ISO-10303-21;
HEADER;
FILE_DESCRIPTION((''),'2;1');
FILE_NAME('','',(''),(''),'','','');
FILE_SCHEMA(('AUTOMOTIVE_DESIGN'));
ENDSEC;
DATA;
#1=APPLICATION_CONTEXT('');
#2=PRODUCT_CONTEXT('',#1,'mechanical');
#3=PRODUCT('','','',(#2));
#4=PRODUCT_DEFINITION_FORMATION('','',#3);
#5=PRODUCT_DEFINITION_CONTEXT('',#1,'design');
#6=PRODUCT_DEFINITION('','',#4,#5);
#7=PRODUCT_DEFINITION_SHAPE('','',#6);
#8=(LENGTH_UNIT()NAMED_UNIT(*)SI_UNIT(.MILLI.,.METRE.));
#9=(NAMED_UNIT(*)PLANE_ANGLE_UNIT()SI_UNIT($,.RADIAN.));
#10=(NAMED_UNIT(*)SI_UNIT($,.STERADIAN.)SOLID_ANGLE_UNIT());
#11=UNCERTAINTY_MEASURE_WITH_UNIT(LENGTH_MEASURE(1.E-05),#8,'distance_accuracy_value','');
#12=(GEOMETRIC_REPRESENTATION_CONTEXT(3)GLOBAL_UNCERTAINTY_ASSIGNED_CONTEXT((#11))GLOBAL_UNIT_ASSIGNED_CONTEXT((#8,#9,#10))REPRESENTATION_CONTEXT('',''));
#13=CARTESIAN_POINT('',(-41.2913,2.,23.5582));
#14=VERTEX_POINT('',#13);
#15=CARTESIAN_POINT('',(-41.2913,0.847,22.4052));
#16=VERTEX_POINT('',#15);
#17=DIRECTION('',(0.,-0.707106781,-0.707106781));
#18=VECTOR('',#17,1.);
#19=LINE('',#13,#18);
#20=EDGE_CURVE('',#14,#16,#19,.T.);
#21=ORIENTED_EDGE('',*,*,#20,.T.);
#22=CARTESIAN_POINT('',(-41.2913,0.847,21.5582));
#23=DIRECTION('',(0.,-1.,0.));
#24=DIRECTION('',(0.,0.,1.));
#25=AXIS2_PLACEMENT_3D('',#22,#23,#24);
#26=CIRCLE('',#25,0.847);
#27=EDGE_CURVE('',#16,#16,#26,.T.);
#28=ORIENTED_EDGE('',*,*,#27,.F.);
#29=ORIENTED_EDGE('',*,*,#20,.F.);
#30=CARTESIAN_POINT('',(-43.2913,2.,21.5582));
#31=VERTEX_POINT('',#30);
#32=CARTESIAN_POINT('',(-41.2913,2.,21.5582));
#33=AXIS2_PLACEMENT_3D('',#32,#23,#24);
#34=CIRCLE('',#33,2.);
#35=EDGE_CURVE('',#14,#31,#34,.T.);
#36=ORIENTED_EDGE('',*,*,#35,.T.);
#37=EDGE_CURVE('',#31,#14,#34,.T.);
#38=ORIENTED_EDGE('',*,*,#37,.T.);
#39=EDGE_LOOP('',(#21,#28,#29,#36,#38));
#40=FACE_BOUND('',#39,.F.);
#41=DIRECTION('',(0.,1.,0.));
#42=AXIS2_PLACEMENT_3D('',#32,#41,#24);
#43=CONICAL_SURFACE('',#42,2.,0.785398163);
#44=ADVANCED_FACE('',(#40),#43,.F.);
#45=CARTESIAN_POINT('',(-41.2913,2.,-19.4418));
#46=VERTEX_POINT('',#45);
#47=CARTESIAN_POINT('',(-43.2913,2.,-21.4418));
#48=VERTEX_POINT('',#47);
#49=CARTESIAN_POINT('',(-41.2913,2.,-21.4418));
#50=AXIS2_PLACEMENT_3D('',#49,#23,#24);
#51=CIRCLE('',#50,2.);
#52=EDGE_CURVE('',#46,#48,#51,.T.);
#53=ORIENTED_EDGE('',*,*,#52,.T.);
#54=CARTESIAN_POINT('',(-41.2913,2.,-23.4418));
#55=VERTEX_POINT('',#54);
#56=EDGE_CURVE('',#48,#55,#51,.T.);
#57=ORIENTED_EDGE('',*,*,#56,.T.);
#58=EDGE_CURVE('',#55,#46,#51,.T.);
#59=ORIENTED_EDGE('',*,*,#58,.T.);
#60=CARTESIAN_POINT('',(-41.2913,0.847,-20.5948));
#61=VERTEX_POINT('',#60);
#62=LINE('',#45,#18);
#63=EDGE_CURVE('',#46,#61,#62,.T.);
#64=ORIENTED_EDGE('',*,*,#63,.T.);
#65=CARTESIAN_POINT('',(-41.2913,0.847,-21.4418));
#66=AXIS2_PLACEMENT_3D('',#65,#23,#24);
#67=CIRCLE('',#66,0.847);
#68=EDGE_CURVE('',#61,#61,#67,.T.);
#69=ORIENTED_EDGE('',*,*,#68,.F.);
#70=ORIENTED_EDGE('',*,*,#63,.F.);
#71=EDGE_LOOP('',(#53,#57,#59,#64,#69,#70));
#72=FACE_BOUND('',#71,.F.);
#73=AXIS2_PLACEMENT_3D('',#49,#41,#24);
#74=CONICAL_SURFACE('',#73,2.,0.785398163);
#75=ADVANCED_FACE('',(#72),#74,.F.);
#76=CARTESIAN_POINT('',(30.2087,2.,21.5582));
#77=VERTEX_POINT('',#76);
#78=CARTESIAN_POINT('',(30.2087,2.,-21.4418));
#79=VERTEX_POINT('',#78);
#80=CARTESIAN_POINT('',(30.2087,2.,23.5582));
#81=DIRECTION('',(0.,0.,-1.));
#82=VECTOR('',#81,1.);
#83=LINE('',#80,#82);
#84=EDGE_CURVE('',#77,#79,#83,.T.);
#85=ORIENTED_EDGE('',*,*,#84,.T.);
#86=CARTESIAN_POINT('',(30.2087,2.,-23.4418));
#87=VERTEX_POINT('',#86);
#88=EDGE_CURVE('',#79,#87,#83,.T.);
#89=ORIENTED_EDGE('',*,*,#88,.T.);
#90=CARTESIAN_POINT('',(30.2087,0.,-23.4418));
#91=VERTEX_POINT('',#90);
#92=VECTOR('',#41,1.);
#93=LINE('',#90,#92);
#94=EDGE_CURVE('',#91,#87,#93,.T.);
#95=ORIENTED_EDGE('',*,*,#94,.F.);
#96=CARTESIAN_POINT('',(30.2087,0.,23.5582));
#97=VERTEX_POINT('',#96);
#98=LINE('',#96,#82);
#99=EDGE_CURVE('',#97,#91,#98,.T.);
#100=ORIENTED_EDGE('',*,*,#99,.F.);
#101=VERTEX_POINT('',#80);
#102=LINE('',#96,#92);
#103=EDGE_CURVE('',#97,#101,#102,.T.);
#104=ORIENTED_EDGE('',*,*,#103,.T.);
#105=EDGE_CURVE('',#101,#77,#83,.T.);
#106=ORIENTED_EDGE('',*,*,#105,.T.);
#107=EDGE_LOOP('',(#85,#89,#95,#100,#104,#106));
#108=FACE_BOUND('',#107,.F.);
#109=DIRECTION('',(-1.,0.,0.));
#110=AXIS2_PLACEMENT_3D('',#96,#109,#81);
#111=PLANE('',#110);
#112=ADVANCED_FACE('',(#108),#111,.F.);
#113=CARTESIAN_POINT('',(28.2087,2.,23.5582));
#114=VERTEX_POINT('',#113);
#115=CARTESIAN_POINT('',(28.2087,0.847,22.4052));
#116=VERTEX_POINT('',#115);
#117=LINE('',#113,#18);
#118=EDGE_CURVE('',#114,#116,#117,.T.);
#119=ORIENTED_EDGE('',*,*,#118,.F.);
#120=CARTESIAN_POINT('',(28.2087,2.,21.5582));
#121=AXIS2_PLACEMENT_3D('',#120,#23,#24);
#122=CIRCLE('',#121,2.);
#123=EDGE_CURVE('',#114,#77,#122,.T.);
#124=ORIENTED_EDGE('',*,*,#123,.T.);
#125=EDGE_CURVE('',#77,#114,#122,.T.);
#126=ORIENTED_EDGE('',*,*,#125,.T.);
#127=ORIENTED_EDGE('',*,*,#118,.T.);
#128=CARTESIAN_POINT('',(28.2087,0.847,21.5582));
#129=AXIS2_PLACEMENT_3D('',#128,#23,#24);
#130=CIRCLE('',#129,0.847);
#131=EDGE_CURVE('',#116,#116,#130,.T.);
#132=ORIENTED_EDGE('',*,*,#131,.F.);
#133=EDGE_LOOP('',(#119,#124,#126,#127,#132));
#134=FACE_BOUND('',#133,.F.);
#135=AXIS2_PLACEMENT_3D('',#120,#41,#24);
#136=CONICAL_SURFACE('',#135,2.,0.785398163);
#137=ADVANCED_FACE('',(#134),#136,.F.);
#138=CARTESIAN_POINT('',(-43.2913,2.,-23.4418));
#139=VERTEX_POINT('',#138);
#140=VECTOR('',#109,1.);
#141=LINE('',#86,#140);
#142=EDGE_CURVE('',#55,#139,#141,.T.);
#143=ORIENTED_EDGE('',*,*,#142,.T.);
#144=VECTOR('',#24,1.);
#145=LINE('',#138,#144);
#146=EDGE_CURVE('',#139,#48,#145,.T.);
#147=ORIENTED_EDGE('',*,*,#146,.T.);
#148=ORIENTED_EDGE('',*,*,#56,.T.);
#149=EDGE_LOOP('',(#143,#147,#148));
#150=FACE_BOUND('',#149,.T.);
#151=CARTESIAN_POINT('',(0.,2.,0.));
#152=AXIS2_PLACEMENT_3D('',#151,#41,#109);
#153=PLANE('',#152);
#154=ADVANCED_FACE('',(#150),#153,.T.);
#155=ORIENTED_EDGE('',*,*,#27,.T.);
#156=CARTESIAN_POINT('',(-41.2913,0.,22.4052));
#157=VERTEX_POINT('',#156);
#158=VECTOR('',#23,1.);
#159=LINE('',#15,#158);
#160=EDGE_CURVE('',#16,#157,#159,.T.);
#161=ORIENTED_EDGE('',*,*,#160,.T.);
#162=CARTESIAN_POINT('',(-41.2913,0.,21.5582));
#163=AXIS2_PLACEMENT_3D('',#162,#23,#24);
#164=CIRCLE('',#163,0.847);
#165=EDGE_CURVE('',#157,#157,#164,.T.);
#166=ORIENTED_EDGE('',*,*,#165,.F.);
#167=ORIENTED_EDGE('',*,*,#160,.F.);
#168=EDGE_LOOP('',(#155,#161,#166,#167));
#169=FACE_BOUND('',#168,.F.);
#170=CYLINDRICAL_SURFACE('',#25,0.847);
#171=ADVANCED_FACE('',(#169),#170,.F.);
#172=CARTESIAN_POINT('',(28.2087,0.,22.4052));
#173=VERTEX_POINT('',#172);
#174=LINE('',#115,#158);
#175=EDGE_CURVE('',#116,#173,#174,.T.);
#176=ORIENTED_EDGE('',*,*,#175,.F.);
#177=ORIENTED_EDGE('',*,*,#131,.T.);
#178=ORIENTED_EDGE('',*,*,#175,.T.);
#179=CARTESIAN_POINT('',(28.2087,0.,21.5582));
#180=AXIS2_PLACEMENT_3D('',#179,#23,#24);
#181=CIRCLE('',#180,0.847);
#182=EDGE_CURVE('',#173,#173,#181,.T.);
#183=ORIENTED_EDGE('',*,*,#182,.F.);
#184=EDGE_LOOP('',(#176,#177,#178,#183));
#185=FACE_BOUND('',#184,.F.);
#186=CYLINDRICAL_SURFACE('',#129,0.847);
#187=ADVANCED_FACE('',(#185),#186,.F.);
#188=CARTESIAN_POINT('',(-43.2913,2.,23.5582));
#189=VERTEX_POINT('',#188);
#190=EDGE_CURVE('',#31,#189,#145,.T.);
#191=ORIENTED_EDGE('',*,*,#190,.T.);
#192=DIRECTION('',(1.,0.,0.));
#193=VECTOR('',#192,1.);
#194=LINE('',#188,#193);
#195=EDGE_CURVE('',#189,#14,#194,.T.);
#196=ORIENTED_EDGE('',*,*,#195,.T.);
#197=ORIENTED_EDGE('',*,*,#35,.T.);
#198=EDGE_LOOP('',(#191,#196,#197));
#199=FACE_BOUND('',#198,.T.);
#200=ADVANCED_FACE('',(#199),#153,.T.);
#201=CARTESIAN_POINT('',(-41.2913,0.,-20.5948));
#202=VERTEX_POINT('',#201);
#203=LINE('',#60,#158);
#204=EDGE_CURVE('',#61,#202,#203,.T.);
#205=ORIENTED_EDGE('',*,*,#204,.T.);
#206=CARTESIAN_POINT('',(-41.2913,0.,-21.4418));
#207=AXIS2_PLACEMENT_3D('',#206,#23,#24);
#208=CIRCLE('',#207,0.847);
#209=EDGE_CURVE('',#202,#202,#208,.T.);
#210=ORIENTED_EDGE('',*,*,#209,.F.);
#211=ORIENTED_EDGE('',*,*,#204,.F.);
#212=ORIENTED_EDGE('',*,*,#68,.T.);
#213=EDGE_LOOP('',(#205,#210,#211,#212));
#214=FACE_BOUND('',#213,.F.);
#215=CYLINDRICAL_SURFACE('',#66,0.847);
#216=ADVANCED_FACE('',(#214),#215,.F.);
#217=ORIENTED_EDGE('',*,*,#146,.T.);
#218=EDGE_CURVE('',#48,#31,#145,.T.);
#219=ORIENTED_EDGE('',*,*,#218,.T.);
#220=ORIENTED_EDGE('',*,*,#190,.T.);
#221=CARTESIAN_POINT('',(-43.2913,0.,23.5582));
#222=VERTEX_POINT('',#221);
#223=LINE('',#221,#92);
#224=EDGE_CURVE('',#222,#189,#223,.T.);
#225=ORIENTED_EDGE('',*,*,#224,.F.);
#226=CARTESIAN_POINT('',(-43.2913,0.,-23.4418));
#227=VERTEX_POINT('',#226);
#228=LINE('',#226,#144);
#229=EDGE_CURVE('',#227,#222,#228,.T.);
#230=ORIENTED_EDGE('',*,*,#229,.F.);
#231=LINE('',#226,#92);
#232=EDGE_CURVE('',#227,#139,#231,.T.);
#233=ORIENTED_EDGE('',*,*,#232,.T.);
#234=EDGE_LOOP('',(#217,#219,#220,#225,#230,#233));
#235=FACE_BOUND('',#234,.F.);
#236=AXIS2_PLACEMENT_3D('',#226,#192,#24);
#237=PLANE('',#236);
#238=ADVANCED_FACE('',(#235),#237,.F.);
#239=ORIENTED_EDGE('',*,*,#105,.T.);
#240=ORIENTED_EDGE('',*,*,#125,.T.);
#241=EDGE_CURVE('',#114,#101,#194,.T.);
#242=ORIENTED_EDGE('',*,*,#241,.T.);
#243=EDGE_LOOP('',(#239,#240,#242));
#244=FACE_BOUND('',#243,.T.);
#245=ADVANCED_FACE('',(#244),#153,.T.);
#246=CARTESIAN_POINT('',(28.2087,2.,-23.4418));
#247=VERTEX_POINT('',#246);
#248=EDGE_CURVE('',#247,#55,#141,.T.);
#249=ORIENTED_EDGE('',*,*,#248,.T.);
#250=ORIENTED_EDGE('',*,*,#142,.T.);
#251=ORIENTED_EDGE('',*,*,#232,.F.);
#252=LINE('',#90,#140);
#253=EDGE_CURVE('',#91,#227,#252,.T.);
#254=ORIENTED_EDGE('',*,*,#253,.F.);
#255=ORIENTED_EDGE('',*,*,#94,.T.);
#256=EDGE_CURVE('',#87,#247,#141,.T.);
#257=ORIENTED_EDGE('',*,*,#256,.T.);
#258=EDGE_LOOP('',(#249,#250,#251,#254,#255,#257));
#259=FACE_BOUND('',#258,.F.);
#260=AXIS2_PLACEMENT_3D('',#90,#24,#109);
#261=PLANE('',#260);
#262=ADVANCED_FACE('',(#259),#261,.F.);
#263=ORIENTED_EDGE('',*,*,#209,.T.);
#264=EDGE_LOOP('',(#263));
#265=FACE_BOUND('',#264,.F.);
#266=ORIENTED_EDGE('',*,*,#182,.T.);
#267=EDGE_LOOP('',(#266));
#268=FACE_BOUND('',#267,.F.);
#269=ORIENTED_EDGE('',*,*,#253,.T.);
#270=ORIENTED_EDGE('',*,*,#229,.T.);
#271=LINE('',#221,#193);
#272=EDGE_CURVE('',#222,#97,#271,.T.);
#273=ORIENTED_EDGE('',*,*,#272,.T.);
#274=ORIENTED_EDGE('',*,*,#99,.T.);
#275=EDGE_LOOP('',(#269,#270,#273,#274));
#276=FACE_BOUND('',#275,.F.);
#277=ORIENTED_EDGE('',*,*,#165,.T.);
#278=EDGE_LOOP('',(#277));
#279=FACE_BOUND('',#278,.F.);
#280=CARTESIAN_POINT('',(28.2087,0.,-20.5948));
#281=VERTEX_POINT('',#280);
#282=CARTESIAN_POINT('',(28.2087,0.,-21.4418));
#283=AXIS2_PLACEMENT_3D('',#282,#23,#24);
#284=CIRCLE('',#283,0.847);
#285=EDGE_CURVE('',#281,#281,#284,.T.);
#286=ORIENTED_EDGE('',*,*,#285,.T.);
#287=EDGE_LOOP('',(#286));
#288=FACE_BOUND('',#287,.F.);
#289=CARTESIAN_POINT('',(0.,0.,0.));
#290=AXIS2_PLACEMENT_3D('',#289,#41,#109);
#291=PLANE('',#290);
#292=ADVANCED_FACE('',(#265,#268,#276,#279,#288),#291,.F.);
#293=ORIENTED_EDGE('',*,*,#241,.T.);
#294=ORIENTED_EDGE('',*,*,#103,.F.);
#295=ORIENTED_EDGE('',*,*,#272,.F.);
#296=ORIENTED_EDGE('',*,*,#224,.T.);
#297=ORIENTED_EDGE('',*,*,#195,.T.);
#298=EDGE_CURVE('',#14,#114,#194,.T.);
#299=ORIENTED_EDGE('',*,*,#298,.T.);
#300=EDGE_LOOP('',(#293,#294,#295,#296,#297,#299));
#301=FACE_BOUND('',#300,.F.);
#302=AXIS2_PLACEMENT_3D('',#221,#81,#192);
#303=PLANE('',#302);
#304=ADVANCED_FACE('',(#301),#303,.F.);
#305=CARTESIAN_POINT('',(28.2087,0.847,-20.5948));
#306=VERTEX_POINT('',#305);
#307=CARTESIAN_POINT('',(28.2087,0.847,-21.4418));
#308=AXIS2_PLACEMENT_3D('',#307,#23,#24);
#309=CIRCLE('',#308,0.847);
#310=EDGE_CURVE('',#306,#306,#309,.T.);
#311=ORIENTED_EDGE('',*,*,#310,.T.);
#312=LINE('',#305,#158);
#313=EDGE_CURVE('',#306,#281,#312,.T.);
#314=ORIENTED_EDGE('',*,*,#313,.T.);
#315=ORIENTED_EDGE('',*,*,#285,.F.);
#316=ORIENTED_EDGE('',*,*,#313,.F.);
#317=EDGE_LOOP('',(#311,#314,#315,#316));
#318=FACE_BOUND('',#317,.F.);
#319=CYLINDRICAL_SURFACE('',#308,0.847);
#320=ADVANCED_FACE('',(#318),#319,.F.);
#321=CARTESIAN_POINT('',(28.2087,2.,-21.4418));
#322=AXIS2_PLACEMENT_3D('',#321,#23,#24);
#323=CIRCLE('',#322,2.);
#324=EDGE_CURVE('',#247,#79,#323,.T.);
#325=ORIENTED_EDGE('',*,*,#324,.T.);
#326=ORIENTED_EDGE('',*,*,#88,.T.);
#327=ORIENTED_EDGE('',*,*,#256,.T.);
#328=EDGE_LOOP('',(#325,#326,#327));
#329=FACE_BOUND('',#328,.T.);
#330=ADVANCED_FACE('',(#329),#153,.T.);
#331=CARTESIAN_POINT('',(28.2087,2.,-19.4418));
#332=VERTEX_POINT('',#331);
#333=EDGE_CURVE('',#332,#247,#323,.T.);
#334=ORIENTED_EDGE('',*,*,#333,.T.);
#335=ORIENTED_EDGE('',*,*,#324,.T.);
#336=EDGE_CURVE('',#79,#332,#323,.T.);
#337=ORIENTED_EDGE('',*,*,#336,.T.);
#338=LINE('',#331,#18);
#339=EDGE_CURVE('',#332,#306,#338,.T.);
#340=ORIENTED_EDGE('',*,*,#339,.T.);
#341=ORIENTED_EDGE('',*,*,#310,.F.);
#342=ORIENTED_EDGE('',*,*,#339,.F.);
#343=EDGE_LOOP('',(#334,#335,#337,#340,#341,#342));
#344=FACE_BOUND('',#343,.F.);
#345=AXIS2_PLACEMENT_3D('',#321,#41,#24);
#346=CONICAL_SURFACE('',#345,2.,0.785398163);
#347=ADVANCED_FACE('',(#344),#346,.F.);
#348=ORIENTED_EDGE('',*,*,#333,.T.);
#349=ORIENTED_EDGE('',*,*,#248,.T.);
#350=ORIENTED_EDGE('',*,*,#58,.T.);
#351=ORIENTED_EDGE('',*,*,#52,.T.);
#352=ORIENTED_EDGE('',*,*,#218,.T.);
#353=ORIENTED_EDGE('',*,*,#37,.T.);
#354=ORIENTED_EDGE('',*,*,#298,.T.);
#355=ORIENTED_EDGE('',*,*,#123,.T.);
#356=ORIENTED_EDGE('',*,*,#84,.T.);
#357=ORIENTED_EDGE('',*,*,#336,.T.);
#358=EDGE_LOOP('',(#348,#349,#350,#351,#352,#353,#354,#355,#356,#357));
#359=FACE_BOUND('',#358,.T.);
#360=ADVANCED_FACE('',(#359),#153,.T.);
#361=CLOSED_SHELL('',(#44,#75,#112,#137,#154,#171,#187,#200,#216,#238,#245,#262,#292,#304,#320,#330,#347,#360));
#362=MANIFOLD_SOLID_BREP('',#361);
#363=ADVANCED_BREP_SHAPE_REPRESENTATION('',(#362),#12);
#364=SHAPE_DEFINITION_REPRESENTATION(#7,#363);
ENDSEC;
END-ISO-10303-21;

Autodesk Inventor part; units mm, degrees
ref_plane "YZ Plane" through (0, 0, 0) normal (1, 0, 0) x (0, 1, 0)
ref_plane "XZ Plane" through (0, 0, 0) normal (0, 1, 0) x (-1, 0, 0)
ref_plane "XY Plane" through (0, 0, 0) normal (0, 0, 1) x (1, 0, 0)
sketch "Sketch1" plane through (0, 0, 0) normal (0, 1, 0) x (-1, 0, 0)
  line L0 (43.2913, 23.5582) -> (-30.2087, 23.5582)
  line L1 (-30.2087, 23.5582) -> (-30.2087, -23.4418)
  line L2 (-30.2087, -23.4418) -> (43.2913, -23.4418)
  line L3 (43.2913, -23.4418) -> (43.2913, 23.5582)
  point P0 (0, 0)
  dimension "d0" = 47
  dimension "d1" = 73.5
extrude "Extrusion1" add sketch "Sketch1" along normal blind 2
sketch "Sketch2" plane through (0, 2, 0) normal (0, 1, 0) x (1, 0, 0)
  circle A0 centre (-41.2913, -21.5582) radius 0.8353
  line L0 (-43.2913, -23.5582) -> (30.2087, -23.5582) projected
  line L1 (-43.2913, 23.4418) -> (-43.2913, -23.5582) projected
  point P0 (0, 0)
  dimension "d4" = 2
  dimension "d5" = 2
hole "Hole1" at (-41.2913, 2, 21.5582) direction (0, -1, 0) diameter 1.694 depth 2 countersink diameter 4 countersink angle 90 thread size "2-56 UNC" class "2B" standard "ANSI Unified Screw Threads"
pattern_linear "Rectangular Pattern1" count 2 spacing 43 along (0, 0, -1) count 2 spacing 69.5 along (1, 0, 0) of "Hole1"
properties part number "BoxLid"
